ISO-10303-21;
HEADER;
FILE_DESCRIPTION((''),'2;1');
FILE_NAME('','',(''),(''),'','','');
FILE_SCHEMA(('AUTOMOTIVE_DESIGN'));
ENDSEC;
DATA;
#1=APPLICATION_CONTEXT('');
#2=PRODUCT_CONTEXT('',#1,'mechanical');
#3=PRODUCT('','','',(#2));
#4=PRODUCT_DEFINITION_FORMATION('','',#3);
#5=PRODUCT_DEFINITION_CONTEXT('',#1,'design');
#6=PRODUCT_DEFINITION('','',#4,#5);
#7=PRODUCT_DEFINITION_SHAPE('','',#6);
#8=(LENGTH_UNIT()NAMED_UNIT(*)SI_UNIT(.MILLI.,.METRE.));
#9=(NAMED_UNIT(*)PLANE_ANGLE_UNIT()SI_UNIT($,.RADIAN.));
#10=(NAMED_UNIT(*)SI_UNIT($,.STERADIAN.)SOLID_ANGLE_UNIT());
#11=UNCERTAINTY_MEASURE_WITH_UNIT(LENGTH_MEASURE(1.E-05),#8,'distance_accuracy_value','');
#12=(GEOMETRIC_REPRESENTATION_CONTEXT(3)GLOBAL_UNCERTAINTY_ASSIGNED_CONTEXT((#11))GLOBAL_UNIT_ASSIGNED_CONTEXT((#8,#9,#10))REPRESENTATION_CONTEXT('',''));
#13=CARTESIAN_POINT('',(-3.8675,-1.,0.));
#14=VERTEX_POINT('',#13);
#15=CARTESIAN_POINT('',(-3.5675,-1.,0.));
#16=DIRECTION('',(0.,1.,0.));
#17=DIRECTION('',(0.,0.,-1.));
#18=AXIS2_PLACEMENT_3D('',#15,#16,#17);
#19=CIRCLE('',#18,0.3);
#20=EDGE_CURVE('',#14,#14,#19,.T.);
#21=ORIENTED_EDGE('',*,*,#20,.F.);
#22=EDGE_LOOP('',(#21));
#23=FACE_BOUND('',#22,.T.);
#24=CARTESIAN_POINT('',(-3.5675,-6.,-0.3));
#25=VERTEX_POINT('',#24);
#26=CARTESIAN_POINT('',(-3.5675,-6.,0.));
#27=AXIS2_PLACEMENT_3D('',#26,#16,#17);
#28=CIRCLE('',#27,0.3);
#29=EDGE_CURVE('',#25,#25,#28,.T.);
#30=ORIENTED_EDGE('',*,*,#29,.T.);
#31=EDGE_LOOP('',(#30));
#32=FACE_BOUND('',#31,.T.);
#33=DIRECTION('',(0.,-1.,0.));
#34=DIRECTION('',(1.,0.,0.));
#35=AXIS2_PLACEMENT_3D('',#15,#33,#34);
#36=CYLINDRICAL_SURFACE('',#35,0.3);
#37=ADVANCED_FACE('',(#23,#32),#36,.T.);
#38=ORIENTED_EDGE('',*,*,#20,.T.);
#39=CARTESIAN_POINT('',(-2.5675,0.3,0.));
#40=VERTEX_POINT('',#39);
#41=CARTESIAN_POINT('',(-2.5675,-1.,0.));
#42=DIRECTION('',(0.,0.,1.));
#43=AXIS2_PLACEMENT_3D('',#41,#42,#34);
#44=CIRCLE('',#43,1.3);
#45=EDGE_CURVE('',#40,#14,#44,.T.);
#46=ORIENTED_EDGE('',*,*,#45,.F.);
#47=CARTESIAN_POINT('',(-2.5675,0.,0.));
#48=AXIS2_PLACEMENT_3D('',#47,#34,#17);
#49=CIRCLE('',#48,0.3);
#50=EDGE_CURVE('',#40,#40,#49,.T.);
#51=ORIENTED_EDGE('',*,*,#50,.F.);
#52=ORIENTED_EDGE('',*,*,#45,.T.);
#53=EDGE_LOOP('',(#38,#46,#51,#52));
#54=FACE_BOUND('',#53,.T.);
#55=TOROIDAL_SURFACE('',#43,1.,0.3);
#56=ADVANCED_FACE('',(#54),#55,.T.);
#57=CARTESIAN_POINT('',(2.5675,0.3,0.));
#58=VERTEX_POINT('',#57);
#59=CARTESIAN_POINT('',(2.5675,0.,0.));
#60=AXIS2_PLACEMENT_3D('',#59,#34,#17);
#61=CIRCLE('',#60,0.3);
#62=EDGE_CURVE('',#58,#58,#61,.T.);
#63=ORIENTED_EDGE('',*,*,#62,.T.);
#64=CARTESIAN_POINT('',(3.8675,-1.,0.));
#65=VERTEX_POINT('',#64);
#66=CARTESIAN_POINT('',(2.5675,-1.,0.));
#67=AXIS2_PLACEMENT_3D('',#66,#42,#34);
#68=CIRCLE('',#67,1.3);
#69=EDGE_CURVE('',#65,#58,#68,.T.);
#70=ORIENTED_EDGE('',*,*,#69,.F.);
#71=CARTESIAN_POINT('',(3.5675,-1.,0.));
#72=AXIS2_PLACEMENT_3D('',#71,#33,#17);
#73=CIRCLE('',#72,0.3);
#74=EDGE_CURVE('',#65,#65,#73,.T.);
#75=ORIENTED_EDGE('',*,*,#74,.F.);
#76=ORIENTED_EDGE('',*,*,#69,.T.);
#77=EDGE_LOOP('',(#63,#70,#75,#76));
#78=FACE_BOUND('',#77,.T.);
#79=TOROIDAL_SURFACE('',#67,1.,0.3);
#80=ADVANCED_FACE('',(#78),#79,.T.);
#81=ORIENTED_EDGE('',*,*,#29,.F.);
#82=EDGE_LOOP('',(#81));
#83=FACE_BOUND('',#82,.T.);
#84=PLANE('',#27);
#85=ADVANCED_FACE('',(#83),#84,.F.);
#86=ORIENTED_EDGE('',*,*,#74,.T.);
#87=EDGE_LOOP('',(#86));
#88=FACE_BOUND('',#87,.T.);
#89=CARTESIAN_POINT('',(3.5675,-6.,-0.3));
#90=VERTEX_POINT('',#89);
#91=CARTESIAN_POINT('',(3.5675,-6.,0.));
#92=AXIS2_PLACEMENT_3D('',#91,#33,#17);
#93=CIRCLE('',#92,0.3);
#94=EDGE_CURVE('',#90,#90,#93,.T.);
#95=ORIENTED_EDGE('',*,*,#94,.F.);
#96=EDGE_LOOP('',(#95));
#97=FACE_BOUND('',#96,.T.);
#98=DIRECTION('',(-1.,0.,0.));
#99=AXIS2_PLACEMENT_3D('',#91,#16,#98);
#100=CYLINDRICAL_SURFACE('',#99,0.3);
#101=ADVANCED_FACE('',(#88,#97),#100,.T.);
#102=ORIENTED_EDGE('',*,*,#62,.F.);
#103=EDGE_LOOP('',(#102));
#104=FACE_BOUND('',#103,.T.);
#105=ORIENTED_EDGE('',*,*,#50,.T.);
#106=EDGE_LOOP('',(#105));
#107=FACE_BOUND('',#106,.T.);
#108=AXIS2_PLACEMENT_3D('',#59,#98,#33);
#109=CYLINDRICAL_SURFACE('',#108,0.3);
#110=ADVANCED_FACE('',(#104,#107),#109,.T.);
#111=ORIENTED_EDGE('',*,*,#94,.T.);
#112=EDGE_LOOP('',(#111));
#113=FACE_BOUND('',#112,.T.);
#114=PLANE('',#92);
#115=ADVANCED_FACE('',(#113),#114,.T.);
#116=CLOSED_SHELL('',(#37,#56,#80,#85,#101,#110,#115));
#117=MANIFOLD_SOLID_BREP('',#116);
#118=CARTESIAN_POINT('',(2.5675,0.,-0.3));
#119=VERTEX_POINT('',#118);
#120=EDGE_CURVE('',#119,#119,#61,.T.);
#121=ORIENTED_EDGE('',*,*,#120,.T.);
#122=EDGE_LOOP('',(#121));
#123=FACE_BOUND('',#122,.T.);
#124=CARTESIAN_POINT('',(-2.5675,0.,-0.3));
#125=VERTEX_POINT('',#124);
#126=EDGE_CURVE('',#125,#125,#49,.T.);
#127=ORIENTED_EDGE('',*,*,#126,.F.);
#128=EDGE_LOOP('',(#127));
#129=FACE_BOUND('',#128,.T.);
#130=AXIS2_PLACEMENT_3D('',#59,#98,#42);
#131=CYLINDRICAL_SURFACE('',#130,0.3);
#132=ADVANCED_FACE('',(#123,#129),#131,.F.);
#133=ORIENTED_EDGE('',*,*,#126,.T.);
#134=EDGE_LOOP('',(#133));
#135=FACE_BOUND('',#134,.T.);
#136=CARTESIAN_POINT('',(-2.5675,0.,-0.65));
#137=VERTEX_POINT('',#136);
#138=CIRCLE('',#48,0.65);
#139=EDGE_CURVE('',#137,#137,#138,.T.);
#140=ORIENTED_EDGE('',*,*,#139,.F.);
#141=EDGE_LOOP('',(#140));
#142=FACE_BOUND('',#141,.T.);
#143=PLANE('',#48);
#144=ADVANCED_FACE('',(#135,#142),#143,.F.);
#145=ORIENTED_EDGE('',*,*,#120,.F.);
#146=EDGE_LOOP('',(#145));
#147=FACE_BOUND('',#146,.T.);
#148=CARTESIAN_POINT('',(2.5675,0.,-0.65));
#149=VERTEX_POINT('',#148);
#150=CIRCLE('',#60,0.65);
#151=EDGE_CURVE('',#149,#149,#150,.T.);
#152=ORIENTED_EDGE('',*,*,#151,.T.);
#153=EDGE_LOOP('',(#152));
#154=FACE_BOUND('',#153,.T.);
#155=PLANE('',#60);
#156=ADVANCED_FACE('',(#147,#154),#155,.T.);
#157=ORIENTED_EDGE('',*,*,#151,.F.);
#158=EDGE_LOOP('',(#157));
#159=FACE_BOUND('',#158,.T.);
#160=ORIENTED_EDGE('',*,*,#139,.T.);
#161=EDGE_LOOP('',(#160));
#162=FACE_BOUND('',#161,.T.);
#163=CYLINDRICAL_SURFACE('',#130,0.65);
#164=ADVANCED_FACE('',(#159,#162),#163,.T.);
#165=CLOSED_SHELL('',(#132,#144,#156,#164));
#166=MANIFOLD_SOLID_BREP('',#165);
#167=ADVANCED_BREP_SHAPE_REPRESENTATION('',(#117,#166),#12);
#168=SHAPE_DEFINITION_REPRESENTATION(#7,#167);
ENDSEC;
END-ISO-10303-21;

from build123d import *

# Parameters (mm, degrees)
SKETCH2_R                = 0.3
SKETCH3_R                = 0.65
SKETCH3_R_2              = 0.3
BOSS_EXTRUDE1_DEPTH      = 2.5675
BOSS_EXTRUDE1_DEPTH_BACK = 2.5675


with BuildPart() as part:
    # Sweep1: sweep along a path in Sketch1
    with BuildLine(Plane.XY) as sweep1_path:
        Line((-3.5675, -6), (-3.5675, -1))
        ThreePointArc((-3.5675, -1), (-3.274606781, -0.292893219), (-2.5675, 0))
        Line((-2.5675, 0), (2.5675, 0))
        ThreePointArc((2.5675, 0), (3.274606781, -0.292893219), (3.5675, -1))
        Line((3.5675, -1), (3.5675, -6))
    # Sketch2 → Sweep1 (sweep)
    with BuildSketch(Plane(origin=(0, 0, 0), x_dir=(0, 0, -1), z_dir=(1, 0, 0))):
        Circle(SKETCH2_R)
    sweep(path=sweep1_path.line)


with BuildPart() as body_2:
    # Sketch3 → Boss-Extrude1 (new body, two sides)
    with BuildSketch(Plane(origin=(0, 0, 0), x_dir=(0, 0, -1), z_dir=(1, 0, 0))) as boss_extrude1_sk:
        Circle(SKETCH3_R)
        Circle(SKETCH3_R_2, mode=Mode.SUBTRACT)
    extrude(amount=BOSS_EXTRUDE1_DEPTH)
    extrude(boss_extrude1_sk.sketch, amount=-BOSS_EXTRUDE1_DEPTH_BACK)


solid = Compound([part.part, body_2.part])
